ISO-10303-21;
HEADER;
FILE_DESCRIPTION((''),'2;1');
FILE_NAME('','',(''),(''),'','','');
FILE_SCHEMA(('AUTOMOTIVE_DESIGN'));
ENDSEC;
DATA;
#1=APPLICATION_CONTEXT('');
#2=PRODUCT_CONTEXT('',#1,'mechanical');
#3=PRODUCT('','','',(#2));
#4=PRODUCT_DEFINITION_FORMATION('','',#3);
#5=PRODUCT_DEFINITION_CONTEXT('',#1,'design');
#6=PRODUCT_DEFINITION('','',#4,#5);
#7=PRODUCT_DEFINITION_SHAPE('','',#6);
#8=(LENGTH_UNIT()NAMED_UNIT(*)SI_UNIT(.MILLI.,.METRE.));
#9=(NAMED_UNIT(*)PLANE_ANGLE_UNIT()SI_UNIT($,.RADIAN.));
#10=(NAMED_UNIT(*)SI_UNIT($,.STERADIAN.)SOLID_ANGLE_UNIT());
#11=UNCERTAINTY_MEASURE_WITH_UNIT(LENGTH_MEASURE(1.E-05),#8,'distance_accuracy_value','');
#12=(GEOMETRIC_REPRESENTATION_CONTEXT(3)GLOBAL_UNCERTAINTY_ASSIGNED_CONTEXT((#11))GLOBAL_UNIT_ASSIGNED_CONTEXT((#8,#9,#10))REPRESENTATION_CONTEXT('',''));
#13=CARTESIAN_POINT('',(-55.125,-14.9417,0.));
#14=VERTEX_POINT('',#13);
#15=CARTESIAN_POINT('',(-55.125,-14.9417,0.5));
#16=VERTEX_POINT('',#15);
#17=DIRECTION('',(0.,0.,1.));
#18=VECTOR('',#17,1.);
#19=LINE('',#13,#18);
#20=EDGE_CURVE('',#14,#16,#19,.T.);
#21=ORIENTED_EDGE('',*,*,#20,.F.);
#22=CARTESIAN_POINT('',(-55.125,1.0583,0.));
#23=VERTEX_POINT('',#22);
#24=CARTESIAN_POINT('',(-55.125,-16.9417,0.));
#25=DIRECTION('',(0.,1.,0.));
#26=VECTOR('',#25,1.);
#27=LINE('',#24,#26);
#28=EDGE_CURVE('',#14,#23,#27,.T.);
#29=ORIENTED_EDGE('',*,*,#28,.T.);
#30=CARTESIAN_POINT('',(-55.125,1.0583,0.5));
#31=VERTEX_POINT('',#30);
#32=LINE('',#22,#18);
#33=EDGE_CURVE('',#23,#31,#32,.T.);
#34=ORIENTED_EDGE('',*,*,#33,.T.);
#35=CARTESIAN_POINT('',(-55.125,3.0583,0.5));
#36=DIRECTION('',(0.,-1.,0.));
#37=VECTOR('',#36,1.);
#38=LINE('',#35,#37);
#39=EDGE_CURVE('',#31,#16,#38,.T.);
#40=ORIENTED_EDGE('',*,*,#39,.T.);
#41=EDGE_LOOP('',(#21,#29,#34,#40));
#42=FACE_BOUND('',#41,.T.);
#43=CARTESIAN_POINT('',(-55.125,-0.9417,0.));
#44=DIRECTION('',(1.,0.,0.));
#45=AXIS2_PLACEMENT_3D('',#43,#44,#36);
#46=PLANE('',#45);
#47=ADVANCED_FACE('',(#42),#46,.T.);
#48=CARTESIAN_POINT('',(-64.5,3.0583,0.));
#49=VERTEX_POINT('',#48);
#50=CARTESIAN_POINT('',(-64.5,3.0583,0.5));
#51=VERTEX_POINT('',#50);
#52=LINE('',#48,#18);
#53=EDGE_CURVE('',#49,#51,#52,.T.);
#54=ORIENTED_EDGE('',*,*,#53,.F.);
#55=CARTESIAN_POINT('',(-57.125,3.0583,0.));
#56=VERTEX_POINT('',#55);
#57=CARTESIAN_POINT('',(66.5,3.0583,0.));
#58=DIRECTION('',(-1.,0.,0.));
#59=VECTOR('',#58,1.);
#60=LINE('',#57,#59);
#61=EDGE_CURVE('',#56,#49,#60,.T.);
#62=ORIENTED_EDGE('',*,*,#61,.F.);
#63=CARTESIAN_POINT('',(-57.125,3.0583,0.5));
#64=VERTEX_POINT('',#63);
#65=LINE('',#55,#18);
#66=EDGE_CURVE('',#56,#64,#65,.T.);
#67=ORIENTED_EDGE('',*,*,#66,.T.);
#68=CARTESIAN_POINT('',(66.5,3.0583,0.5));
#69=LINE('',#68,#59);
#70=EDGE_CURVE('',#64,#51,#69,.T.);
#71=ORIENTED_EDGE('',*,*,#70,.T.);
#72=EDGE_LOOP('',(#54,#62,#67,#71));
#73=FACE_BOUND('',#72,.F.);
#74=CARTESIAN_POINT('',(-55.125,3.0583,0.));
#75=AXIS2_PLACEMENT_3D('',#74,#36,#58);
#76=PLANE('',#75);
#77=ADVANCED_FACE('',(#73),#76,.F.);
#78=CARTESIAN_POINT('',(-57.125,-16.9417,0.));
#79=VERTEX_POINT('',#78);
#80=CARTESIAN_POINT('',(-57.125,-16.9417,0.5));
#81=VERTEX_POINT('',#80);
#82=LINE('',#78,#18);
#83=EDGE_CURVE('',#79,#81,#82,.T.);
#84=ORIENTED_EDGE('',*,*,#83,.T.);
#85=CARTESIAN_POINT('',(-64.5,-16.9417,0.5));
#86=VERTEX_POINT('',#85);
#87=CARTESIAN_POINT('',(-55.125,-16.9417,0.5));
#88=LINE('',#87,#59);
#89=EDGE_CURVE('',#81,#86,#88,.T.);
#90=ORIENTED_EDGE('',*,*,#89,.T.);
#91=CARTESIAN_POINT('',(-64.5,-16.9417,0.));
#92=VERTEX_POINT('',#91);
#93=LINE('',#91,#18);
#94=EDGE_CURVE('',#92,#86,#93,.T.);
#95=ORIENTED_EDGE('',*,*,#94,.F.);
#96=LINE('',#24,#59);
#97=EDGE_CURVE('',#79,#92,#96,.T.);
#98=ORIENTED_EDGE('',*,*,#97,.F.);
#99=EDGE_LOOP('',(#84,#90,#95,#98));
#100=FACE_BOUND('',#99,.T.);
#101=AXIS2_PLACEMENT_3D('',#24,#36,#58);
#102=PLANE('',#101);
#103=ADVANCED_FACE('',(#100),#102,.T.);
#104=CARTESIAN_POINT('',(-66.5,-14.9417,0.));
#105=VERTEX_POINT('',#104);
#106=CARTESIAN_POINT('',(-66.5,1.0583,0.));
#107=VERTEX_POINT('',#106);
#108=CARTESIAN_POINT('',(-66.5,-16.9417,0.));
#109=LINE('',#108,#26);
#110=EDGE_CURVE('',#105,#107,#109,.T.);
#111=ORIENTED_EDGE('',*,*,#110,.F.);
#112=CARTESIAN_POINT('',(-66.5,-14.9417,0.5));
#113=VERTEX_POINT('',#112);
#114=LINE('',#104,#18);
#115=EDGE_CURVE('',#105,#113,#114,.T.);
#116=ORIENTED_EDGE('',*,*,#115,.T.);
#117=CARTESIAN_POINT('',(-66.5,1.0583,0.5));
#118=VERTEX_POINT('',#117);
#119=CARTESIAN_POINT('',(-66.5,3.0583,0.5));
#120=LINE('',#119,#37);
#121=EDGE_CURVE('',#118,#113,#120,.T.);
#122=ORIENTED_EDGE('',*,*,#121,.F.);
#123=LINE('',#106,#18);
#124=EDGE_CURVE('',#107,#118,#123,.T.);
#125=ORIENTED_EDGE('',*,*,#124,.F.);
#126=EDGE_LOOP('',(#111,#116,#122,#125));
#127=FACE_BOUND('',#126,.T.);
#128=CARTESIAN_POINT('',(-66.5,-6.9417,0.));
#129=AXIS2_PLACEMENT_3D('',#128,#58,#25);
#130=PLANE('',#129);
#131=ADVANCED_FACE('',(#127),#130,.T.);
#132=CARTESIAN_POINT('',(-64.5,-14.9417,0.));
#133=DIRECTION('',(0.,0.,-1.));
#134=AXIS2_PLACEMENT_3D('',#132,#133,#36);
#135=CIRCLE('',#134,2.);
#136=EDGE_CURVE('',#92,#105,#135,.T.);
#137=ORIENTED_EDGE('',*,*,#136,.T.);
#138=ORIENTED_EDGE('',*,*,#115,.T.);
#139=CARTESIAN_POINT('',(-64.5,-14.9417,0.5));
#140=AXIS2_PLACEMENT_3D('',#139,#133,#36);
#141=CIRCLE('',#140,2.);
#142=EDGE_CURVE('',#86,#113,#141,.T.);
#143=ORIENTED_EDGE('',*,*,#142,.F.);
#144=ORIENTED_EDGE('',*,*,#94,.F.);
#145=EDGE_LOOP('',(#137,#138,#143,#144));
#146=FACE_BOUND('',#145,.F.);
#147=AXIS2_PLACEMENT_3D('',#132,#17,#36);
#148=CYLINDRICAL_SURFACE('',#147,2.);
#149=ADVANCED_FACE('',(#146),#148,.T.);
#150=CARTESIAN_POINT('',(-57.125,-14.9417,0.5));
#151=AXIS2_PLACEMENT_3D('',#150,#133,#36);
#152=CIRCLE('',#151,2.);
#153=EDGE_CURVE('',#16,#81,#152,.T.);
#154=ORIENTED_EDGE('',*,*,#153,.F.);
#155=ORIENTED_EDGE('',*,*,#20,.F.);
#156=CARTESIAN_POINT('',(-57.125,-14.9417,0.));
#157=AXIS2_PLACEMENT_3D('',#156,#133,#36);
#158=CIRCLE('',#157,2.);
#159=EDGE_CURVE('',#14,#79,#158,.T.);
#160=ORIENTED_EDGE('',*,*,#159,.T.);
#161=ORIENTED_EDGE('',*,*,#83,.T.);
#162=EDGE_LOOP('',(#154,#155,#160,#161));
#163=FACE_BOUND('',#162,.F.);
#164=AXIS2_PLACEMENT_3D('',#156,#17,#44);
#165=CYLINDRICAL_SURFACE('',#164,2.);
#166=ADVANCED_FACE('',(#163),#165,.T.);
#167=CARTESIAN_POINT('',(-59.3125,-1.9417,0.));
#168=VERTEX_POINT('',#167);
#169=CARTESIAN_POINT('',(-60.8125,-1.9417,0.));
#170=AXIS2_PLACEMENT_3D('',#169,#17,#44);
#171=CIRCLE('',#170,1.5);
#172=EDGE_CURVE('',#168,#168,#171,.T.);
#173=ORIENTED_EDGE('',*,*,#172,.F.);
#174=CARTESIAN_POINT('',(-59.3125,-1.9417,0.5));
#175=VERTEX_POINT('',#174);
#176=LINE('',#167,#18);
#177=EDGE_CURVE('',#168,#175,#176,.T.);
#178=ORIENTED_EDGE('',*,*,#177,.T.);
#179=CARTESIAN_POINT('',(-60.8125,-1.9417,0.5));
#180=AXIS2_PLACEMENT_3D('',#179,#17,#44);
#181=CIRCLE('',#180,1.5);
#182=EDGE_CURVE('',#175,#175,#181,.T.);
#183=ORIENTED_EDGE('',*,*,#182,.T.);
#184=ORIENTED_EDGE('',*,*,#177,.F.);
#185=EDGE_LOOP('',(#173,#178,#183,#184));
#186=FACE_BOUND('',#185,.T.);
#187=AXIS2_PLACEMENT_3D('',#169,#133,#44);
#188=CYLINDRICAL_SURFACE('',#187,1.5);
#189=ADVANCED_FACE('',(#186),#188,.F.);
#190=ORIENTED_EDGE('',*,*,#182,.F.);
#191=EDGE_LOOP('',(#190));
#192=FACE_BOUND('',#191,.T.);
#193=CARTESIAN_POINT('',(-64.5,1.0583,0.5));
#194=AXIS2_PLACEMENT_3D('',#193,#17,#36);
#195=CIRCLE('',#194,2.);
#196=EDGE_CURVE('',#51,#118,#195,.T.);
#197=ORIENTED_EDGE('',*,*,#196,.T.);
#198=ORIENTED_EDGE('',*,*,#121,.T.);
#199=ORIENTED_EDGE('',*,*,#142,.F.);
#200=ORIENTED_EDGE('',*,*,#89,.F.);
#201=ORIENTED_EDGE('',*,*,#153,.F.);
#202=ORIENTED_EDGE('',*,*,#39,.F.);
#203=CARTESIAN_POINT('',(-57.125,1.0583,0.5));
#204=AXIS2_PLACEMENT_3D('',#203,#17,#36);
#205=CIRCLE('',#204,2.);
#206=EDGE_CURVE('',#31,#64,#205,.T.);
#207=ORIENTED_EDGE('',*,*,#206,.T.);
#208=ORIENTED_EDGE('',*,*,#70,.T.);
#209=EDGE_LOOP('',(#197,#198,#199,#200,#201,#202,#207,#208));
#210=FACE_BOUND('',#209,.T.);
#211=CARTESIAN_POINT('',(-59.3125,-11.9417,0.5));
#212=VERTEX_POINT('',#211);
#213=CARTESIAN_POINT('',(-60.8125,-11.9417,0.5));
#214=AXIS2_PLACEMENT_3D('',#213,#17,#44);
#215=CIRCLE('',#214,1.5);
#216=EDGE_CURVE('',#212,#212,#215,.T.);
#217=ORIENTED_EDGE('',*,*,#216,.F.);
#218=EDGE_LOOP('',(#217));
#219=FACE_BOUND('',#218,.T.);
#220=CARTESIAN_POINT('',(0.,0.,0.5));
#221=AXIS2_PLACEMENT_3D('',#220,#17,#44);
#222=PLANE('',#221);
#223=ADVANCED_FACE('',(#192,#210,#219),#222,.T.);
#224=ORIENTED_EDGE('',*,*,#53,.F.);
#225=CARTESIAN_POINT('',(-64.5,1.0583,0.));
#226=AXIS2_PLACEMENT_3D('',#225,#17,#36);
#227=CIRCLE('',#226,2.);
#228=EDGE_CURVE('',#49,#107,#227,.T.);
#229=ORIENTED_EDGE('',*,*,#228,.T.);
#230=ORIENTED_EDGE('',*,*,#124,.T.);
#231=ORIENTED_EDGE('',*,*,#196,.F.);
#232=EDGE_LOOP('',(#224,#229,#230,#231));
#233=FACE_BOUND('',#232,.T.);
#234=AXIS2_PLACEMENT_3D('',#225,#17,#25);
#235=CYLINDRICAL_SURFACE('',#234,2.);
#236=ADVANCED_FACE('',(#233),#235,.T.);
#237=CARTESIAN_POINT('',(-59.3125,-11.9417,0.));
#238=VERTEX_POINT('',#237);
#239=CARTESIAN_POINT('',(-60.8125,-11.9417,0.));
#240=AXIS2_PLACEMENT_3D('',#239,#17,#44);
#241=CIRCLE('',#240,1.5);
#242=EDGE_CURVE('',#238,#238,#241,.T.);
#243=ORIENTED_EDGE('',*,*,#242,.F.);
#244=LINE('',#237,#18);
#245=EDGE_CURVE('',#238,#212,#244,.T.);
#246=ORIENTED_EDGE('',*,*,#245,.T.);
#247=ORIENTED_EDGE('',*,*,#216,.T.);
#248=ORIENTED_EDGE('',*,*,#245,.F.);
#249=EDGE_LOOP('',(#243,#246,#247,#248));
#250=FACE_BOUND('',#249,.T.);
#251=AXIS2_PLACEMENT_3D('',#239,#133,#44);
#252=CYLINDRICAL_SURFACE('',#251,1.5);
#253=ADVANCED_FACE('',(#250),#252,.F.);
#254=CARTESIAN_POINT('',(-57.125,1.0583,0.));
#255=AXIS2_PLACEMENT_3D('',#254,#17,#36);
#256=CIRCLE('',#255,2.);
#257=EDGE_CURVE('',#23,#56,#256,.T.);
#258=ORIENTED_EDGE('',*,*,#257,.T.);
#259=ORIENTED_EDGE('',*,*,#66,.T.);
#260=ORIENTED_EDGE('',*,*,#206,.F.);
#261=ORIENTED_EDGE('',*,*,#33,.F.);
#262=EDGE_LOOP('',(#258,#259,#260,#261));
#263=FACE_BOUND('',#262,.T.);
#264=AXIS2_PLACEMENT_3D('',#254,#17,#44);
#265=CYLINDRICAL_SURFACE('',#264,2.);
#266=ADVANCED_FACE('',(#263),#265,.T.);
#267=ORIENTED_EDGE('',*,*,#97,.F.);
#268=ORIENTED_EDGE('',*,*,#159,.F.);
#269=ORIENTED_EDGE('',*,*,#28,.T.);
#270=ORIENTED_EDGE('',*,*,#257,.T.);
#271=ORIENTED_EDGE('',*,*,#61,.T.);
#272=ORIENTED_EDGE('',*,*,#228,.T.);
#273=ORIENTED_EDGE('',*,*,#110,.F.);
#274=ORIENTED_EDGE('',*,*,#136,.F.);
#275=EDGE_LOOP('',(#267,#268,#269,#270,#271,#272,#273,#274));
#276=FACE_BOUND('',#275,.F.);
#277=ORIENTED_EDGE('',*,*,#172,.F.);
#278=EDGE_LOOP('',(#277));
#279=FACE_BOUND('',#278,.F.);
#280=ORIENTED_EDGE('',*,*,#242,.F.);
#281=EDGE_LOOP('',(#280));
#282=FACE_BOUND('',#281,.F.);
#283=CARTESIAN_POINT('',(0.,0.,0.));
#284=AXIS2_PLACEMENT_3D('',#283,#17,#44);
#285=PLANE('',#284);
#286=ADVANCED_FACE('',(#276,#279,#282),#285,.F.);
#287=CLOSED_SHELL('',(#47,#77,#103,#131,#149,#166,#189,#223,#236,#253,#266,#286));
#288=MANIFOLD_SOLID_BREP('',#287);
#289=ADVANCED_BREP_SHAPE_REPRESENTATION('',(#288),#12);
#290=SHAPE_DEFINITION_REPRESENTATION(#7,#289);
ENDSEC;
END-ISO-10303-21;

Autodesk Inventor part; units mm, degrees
ref_plane "YZ Plane" through (0, 0, 0) normal (1, 0, 0) x (0, 1, 0)
ref_plane "XZ Plane" through (0, 0, 0) normal (0, 1, 0) x (-1, 0, 0)
ref_plane "XY Plane" through (0, 0, 0) normal (0, 0, 1) x (1, 0, 0)
sketch "Sketch1" plane through (0, 0, 0) normal (0, 0, 1) x (1, 0, 0)
  line L0 (55.125, -6.9417) -> (55.125, -0.9417) projected
  line L1 (55.125, -6.9417) -> (66.5, -6.9417) projected
  line L2 (66.5, 3.0583) -> (66.5, -6.9417) projected
  line L3 (66.5, 3.0583) -> (-66.5, 3.0583) projected
  line L4 (-66.5, -6.9417) -> (-66.5, 3.0583) projected
  line L5 (-66.5, -6.9417) -> (-55.125, -6.9417) projected
  line L6 (-55.125, -0.9417) -> (-55.125, -6.9417) projected
  line L7 (55.125, -0.9417) -> (-55.125, -0.9417) projected
  line L8 (-55.125, -6.9417) -> (-55.125, -35.9417) projected
  line L9 (-55.125, -6.9417) -> (-66.5, -6.9417) projected
  line L10 (-66.5, -40.9417) -> (-66.5, -6.9417) projected
  line L11 (-37.5645, -40.9417) -> (-66.5, -40.9417) projected
  line L12 (-37.5645, -38.4017) -> (-37.5645, -40.9417) projected
  line L13 (-37.5645, -38.4017) -> (-28.75, -38.4017) projected
  line L14 (55.125, -35.9417) -> (55.125, -6.9417) projected
  line L15 (28.75, -38.4017) -> (37.5645, -38.4017) projected
  line L16 (37.5645, -40.9417) -> (37.5645, -38.4017) projected
  line L17 (66.5, -40.9417) -> (37.5645, -40.9417) projected
  line L18 (66.5, -6.9417) -> (66.5, -40.9417) projected
  line L19 (55.125, -6.9417) -> (66.5, -6.9417) projected
  line L20 (-66.5, 3.0583) -> (-55.125, 3.0583)
  line L21 (-55.125, 3.0583) -> (-55.125, -16.9417)
  line L22 (-55.125, -16.9417) -> (-66.5, -16.9417)
  line L23 (-66.5, -16.9417) -> (-66.5, 3.0583)
  line L24 (-66.5, -6.9417) -> (-66.5, -11.9417)
  circle A0 centre (-60.8125, -1.9417) radius 1.5
  circle A1 centre (-60.8125, -11.9417) radius 1.5
  circle A2 centre (-60.8125, -11.9417) radius 1.375 projected
  circle A3 centre (60.8125, -11.9417) radius 1.375 projected
  circle A4 centre (-60.8125, -1.9417) radius 1.375 projected
  circle A5 centre (60.8125, -1.9417) radius 1.375 projected
  line L25 (-53.125, -37.9417) -> (-28.75, -37.9417) projected
  arc A6 (-55.125, -35.9417) -> (-53.125, -37.9417) centre (-53.125, -35.9417) ccw projected
  line L26 (-28.75, -37.9417) -> (-28.75, -38.4017) projected
  line L27 (28.75, -37.9417) -> (53.125, -37.9417) projected
  line L28 (28.75, -38.4017) -> (28.75, -37.9417) projected
  arc A7 (53.125, -37.9417) -> (55.125, -35.9417) centre (53.125, -35.9417) ccw projected
  point P0 (0, 0)
  point P1 (-60.8125, 3.0583)
  point P2 (-66.5, -1.9417)
  dimension "d0" = 20
  dimension "d1" = 5
  dimension "d2" = 3
  dimension "d4" = 3
extrude "Extrusion1" add sketch "Sketch1" along normal blind 0.5 contours L6 L5 L4 L3 L21 | L8 L22 L10 L5
fillet "Fillet1" radius 2 4 edges at (-66.5, 3.0583, 0.25) (-55.125, 3.0583, 0.25) (-55.125, -16.9417, 0.25) (-66.5, -16.9417, 0.25)
properties part number "FlexHinge"
